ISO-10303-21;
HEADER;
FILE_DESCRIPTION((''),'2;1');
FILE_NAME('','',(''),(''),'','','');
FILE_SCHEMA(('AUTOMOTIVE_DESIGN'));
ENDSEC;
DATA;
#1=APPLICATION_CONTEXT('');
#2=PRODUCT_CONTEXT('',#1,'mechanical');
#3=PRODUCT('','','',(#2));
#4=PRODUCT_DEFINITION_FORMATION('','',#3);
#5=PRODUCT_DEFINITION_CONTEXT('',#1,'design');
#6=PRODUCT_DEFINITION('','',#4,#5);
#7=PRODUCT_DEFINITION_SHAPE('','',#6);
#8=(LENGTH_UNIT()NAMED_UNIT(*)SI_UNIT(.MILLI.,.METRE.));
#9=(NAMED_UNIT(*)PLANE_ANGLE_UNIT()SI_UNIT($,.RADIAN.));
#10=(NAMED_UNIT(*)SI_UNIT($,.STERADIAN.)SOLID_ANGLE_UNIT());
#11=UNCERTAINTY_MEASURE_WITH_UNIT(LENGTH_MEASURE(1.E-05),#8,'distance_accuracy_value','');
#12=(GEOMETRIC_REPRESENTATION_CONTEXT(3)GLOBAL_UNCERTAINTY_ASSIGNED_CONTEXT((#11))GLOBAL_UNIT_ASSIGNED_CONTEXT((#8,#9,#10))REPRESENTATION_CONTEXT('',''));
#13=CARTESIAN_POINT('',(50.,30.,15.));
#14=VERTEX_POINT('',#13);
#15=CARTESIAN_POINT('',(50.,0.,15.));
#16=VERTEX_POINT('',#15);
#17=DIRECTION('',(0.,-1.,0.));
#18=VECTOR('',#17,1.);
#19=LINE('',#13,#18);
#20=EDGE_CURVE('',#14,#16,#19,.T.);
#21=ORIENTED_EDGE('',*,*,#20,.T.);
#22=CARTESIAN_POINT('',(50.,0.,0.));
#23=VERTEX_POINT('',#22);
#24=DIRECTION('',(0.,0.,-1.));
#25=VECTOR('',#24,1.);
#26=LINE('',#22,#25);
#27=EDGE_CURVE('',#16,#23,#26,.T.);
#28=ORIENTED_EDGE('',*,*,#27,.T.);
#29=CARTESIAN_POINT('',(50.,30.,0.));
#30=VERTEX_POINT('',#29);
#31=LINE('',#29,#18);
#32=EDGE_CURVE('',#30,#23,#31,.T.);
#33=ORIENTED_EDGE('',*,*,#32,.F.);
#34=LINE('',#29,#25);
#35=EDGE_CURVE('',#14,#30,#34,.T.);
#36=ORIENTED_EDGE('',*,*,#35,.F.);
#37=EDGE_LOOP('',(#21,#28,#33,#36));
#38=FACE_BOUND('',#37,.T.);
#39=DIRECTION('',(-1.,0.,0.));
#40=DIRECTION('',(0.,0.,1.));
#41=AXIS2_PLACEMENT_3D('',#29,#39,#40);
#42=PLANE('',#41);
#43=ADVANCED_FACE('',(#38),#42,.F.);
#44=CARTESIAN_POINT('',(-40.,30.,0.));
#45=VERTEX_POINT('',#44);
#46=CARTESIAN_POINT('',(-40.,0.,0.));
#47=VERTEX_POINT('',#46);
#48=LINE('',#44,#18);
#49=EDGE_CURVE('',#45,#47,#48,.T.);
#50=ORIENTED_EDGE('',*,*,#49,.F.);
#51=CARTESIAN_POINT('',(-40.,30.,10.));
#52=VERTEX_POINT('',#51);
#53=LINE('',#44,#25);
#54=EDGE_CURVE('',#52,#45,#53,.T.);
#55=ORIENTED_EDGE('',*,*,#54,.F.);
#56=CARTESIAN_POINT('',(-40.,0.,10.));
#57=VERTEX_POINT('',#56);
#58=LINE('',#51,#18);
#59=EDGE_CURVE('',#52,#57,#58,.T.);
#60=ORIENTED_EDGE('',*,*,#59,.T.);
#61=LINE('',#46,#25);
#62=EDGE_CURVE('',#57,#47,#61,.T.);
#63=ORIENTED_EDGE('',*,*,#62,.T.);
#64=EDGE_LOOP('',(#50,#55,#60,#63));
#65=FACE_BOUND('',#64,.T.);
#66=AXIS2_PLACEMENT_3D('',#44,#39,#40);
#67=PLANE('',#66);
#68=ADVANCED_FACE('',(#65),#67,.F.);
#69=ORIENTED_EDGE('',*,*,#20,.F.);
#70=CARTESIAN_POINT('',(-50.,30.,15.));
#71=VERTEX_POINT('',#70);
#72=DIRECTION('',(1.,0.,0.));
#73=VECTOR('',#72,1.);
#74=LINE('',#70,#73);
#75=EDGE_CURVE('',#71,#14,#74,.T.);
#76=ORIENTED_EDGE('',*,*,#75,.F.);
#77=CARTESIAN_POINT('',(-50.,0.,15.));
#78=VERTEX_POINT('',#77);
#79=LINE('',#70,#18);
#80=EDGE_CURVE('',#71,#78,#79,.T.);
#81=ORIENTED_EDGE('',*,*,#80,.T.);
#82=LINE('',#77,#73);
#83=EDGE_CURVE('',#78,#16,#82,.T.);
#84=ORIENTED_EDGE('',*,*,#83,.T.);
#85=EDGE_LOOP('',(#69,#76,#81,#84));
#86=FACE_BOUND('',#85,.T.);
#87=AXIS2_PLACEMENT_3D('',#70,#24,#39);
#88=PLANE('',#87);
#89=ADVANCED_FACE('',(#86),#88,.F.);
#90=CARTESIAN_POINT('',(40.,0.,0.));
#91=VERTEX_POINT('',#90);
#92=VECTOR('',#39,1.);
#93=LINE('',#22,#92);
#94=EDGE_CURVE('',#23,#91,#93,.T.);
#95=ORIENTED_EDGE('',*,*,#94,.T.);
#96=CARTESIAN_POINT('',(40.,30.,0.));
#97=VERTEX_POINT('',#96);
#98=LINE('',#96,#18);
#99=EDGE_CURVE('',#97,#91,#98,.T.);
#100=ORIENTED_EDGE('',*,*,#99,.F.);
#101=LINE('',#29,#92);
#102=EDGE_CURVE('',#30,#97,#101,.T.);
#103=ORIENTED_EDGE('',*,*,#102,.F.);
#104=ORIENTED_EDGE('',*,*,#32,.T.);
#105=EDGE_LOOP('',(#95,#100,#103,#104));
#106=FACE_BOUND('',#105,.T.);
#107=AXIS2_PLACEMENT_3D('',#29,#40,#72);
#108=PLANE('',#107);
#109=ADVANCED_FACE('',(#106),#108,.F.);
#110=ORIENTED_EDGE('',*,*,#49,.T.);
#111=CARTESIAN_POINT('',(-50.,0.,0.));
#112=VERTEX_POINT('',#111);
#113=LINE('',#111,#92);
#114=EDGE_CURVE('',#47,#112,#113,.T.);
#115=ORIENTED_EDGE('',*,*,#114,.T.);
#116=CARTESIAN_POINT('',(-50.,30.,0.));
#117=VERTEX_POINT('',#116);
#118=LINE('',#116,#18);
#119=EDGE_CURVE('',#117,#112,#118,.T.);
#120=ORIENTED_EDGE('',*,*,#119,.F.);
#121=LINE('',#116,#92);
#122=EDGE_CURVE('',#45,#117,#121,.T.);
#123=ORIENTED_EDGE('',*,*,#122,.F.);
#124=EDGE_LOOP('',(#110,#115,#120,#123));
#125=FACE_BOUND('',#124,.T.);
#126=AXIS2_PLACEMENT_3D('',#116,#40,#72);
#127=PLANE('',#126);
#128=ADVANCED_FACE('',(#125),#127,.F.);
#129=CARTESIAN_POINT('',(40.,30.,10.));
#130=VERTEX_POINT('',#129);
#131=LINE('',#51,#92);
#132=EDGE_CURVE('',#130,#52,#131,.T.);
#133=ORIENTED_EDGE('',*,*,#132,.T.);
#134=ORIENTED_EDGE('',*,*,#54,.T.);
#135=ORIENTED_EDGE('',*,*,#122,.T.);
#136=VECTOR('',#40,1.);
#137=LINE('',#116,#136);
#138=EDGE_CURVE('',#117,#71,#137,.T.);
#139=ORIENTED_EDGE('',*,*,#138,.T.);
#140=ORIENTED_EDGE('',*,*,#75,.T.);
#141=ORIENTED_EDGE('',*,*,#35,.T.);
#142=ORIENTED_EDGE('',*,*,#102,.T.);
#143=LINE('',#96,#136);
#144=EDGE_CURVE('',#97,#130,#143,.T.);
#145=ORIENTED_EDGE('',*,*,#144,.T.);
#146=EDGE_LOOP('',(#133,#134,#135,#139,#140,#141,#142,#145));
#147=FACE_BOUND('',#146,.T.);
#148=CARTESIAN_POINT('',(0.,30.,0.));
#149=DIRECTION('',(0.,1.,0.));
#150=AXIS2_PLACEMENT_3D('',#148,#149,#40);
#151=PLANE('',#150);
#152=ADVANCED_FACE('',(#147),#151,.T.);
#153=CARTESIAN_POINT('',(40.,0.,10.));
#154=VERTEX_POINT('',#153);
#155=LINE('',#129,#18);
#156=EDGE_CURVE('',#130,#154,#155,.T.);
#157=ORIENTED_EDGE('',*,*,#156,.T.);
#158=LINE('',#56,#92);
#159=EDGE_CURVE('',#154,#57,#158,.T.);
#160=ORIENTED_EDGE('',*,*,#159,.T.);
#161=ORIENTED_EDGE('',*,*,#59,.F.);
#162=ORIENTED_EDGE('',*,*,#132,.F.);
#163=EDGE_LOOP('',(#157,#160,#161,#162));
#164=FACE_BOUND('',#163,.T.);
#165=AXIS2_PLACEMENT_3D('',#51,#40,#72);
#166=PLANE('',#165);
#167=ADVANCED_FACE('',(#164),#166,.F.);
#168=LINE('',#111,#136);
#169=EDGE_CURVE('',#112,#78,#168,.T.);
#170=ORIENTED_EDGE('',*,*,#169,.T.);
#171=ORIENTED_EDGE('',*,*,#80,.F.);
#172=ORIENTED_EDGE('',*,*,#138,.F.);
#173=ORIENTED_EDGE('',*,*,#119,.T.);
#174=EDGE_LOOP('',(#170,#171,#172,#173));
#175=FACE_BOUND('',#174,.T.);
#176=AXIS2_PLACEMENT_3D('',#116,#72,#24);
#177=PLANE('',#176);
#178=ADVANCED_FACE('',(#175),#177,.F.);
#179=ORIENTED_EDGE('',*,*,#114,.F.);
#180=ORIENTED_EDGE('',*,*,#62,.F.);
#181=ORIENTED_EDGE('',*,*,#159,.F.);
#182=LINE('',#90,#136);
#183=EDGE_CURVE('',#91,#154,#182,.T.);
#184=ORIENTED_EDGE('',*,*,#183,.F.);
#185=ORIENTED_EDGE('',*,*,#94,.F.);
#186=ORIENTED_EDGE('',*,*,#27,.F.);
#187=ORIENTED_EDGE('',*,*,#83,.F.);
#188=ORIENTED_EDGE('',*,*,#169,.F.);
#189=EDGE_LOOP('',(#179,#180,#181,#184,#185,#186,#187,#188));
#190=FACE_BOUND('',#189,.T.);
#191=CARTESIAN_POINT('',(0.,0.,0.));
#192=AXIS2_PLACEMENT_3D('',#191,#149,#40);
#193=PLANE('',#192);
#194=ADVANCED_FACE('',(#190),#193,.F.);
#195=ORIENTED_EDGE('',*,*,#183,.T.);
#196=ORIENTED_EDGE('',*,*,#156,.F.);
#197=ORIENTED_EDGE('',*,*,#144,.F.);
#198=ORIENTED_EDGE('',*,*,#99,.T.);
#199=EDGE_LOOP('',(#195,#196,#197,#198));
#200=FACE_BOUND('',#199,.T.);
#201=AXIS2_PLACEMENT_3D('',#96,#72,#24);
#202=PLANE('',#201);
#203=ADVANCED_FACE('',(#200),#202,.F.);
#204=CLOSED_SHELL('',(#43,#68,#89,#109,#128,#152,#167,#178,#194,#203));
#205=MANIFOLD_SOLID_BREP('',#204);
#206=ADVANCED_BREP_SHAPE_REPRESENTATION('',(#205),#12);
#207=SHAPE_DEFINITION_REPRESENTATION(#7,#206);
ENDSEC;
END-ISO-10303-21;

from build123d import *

# Parameters (mm, degrees)
BOSS_EXTRUDE1_DEPTH = 30


with BuildPart() as part:
    # Sketch1 → Boss-Extrude1 (new body)
    with BuildSketch(Plane(origin=(0, 0, 0), x_dir=(1, 0, 0), z_dir=(0, 1, 0))):
        Polygon((-50, 0), (-40, 0), (-40, -10), (40, -10), (40, 0), (50, 0), (50, -15), (-50, -15), align=None)
    extrude(amount=BOSS_EXTRUDE1_DEPTH)


solid = part.part
